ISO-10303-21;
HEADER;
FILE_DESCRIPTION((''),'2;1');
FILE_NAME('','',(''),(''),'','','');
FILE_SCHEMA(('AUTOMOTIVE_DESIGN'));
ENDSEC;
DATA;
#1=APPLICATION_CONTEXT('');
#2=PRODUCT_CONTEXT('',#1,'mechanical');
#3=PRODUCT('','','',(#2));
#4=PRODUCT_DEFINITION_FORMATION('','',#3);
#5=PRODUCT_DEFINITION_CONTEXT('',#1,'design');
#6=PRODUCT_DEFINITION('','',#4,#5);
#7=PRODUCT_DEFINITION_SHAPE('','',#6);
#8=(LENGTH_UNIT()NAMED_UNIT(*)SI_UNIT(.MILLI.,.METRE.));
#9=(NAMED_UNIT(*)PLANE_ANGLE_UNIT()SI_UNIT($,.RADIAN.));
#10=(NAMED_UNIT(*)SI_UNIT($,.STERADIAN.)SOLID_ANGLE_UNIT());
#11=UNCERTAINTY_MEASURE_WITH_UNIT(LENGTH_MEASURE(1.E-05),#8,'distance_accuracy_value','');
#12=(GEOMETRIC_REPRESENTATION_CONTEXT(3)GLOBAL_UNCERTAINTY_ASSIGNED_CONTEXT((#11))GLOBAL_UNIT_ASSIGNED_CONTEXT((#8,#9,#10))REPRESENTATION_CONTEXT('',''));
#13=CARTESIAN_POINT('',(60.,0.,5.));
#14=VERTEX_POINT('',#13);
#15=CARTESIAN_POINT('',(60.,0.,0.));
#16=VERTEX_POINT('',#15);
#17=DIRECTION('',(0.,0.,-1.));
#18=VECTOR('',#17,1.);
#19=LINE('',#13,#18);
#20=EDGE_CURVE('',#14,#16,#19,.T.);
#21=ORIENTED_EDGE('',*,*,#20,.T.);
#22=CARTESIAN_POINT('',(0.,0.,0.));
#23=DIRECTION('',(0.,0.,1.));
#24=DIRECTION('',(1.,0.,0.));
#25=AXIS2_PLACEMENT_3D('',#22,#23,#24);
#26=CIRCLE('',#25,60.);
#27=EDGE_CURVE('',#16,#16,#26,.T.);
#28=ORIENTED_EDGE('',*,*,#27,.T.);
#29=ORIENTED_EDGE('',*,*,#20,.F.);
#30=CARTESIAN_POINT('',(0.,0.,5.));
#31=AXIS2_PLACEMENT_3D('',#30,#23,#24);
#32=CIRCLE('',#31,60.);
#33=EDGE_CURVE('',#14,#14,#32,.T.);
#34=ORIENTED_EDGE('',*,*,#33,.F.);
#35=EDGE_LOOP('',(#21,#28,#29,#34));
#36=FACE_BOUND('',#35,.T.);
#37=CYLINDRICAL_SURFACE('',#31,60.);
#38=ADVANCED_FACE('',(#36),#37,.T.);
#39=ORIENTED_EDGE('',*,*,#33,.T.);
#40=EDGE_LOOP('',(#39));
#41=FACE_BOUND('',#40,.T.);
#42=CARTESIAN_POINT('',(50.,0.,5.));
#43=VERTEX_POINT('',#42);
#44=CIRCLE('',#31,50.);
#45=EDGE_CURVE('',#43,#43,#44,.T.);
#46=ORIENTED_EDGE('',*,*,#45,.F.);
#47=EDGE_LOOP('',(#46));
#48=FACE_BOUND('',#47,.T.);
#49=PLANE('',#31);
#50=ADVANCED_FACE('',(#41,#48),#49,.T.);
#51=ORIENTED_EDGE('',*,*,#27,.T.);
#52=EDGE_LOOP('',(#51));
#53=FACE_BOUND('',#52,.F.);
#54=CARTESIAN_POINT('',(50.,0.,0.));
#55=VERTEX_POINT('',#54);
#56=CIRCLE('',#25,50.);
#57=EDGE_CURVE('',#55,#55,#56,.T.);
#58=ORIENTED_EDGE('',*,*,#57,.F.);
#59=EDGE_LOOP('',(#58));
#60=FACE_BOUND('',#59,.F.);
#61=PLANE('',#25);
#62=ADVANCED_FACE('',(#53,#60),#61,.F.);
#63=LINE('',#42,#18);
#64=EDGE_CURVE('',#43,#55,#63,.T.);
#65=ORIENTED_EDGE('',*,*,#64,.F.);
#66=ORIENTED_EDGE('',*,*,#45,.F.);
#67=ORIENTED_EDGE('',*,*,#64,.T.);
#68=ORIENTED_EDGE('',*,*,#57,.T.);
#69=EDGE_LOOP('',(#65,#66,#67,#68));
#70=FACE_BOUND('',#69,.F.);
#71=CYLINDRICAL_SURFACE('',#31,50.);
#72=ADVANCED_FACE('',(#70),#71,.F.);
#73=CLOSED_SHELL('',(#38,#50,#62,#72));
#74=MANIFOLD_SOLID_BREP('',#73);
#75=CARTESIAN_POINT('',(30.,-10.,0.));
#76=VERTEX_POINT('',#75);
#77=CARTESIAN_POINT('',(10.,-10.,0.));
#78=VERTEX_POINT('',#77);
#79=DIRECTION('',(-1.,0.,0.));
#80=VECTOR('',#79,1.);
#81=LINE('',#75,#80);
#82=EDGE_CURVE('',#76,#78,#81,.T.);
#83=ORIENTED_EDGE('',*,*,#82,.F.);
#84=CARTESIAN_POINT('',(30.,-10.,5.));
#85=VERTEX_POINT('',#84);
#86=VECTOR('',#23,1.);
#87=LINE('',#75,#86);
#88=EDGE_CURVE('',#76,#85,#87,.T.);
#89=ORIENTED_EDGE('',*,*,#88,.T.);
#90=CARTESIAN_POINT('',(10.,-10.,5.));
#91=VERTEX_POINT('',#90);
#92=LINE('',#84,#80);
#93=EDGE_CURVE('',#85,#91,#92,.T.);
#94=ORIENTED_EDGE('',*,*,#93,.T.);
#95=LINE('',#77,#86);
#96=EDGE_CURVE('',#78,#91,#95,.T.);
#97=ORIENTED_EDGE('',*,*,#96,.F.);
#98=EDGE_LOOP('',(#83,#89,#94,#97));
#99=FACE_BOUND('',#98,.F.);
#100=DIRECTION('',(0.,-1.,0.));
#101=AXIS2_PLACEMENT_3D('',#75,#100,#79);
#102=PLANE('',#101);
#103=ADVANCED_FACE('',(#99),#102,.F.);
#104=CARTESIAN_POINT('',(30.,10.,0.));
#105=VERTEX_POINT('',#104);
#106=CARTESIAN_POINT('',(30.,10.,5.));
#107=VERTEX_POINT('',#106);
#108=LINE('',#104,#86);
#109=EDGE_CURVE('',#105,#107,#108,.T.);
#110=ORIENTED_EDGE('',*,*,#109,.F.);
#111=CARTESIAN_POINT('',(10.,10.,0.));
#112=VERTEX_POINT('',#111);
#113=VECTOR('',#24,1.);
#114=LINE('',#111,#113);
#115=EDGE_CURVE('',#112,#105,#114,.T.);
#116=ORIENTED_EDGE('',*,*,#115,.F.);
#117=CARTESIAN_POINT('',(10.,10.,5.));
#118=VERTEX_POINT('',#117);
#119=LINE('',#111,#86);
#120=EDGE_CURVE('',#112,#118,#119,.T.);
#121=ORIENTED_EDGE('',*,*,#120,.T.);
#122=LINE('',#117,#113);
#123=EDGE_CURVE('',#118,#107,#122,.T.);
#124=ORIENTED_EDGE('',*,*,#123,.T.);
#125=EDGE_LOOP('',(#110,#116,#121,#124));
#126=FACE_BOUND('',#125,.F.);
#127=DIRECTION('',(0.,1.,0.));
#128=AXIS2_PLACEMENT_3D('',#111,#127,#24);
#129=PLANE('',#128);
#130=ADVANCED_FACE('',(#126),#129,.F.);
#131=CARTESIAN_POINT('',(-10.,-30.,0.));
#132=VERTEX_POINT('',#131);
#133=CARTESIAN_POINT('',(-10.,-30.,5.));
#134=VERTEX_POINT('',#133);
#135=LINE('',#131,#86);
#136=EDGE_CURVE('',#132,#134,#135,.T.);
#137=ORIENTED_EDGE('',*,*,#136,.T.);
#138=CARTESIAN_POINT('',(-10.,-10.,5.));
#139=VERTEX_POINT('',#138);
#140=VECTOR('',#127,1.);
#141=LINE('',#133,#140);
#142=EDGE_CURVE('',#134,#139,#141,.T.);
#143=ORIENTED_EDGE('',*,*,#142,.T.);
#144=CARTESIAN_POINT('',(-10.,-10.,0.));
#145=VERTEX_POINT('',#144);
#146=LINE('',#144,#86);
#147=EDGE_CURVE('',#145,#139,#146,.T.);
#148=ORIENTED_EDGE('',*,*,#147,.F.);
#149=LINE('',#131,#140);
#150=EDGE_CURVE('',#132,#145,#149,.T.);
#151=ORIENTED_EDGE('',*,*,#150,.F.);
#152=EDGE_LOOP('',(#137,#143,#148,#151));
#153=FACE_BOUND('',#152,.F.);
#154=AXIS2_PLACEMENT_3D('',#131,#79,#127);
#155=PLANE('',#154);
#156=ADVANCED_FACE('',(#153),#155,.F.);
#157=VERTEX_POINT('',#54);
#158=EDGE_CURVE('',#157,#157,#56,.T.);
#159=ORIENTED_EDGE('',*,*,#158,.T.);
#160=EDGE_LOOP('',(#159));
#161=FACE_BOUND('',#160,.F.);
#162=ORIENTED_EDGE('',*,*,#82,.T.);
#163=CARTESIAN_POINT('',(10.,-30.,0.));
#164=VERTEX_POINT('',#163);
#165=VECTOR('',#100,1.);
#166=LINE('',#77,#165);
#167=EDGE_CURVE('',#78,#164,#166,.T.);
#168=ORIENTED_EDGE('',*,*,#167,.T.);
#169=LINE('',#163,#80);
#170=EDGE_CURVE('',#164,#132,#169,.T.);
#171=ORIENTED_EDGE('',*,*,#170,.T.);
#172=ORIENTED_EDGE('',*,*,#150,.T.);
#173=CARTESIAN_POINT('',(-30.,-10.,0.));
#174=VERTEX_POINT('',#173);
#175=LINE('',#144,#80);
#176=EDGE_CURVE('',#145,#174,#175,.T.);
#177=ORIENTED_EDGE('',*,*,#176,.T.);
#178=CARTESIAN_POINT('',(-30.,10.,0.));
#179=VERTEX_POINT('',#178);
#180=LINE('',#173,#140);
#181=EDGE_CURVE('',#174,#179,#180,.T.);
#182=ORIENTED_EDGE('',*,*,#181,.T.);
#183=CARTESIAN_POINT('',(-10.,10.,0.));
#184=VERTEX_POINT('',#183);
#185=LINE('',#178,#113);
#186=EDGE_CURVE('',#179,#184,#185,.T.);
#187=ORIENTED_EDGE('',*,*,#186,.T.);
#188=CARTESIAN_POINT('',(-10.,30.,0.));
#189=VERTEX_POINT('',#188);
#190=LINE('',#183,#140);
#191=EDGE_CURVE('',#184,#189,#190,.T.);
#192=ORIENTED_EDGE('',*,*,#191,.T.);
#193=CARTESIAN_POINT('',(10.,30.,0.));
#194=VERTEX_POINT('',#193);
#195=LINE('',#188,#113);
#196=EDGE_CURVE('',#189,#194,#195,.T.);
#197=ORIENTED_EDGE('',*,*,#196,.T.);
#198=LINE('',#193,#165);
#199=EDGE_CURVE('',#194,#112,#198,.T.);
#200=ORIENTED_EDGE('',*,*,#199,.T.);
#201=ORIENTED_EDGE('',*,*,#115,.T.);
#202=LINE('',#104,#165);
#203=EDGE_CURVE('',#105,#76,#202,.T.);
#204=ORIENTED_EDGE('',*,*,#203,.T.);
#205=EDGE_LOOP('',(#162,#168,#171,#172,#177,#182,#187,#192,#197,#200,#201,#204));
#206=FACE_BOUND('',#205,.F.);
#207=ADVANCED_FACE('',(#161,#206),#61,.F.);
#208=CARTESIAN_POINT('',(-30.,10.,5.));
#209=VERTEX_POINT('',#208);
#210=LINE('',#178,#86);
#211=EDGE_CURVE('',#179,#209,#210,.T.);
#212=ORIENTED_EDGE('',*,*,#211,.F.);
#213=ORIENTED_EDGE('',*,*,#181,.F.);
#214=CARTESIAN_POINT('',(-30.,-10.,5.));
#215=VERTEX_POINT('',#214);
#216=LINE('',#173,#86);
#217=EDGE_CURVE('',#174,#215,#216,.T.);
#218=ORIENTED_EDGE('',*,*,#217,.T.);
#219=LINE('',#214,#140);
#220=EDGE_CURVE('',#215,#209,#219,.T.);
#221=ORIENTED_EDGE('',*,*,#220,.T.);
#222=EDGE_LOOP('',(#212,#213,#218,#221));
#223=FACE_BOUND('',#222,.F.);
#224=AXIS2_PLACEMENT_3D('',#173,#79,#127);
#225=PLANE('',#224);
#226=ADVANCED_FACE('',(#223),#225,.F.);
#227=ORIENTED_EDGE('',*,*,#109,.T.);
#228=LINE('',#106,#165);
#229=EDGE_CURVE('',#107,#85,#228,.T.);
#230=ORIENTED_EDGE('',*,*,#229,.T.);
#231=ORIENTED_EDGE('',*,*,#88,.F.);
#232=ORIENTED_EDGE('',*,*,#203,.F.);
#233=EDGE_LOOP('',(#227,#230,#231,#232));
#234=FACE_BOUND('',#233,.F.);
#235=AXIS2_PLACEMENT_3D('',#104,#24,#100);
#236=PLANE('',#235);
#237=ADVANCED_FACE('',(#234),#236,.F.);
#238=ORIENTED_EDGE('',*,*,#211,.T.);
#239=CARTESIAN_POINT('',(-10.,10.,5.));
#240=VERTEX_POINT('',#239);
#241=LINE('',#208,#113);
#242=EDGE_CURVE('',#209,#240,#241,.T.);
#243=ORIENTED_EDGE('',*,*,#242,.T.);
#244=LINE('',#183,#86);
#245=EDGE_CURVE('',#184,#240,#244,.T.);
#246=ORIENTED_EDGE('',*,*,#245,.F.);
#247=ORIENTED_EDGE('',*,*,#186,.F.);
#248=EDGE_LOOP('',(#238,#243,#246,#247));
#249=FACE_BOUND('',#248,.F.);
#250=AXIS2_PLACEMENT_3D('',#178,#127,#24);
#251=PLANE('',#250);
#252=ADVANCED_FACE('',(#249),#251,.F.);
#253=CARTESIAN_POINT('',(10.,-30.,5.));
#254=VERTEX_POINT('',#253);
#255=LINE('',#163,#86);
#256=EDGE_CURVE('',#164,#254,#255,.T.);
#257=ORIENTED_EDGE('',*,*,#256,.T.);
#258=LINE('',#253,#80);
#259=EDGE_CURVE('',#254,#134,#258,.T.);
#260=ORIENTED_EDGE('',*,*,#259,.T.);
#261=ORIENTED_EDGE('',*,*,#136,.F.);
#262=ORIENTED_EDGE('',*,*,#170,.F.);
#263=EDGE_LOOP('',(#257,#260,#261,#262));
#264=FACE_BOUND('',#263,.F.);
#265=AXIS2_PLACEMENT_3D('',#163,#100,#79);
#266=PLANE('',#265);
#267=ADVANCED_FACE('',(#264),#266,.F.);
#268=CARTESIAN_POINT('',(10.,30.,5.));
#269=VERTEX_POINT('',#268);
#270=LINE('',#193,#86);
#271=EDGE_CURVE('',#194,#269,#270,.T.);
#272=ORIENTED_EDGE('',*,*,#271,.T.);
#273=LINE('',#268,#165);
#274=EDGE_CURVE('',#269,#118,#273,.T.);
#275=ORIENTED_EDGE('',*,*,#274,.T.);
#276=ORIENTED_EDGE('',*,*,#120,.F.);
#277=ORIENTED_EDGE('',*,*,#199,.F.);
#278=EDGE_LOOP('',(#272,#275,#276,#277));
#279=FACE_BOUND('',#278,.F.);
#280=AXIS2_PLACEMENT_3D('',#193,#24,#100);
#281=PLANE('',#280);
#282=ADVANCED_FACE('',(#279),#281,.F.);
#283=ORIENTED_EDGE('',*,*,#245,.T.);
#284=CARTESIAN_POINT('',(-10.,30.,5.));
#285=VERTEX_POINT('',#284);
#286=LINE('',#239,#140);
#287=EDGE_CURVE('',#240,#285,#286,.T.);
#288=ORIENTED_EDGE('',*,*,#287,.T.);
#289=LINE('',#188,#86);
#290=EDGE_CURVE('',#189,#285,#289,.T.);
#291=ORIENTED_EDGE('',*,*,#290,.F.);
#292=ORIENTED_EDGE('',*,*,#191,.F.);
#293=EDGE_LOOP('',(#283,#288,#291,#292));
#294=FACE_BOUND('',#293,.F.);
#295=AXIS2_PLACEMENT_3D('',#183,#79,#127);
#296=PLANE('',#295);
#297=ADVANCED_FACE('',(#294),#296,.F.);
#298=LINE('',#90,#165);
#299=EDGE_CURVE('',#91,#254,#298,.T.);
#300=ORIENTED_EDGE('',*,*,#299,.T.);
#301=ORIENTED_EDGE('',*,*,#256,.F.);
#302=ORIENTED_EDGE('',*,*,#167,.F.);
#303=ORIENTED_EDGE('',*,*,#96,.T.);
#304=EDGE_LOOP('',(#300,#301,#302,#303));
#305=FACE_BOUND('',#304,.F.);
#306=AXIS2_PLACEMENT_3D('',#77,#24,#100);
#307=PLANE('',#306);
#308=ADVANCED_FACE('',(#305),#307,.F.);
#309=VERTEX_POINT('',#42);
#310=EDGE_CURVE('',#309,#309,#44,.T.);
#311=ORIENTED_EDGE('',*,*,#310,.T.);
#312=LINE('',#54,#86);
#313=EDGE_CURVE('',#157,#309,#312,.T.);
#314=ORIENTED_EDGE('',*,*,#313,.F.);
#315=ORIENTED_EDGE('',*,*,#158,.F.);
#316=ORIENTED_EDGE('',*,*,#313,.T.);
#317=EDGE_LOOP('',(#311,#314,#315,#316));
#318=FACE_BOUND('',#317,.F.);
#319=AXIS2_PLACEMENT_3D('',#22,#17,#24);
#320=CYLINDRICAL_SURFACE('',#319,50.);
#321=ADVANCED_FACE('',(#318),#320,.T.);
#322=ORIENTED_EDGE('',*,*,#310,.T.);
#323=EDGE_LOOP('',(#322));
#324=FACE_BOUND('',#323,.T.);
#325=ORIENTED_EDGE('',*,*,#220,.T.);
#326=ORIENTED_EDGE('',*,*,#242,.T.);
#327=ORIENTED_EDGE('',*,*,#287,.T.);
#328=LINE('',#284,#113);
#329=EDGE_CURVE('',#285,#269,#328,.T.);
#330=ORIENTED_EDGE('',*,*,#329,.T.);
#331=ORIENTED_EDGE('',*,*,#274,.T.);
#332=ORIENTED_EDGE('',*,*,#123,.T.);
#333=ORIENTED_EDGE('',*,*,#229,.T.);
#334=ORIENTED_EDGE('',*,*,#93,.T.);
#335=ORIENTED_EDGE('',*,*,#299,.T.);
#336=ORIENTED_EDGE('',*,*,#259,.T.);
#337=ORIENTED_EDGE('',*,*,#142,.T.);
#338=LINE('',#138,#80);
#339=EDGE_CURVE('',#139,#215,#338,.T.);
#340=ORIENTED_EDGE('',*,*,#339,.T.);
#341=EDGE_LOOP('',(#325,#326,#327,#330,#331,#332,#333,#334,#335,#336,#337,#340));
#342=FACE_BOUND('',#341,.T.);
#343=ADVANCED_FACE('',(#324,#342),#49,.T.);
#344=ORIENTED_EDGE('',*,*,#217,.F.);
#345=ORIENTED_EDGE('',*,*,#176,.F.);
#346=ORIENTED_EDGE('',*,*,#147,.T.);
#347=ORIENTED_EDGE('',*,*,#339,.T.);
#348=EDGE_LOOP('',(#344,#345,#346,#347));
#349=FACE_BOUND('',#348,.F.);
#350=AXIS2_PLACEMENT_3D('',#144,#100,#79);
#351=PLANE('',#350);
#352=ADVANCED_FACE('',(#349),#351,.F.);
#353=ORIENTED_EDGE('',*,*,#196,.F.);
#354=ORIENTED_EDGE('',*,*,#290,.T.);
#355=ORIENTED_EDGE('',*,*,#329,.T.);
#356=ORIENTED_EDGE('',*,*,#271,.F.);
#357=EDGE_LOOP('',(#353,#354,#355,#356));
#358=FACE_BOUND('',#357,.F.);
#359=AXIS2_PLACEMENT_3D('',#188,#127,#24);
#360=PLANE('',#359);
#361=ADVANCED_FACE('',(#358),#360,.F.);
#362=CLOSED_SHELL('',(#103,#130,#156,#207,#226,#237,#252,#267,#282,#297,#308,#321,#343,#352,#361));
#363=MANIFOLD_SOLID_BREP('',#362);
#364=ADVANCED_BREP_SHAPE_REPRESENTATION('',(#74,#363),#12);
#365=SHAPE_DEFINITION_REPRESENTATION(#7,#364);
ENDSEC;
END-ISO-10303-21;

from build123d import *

# Parameters (mm, degrees)
F0_R     = 50
F1_DEPTH = 5
F2_R     = 60
F2_R_2   = 50
F3_DEPTH = 5


with BuildPart() as f1:
    # F0 (on Top) → F1 (new body)
    with BuildSketch(Plane.XY):
        Circle(F0_R)
        Polygon((-10, 30), (0, 30), (10, 30), (10, 10), (30, 10), (30, 0), (30, -10), (10, -10), (10, -30), (0, -30), (-10, -30), (-10, -10), (-30, -10), (-30, 0), (-30, 10), (-10, 10), align=None, mode=Mode.SUBTRACT)
    extrude(amount=F1_DEPTH)


with BuildPart() as f3:
    # F2 (on face) → F3 (new body)
    with BuildSketch(Plane.XY.offset(5)):
        Circle(F2_R)
        Circle(F2_R_2, mode=Mode.SUBTRACT)
    extrude(amount=-F3_DEPTH)


solid = Compound([f1.part, f3.part])
